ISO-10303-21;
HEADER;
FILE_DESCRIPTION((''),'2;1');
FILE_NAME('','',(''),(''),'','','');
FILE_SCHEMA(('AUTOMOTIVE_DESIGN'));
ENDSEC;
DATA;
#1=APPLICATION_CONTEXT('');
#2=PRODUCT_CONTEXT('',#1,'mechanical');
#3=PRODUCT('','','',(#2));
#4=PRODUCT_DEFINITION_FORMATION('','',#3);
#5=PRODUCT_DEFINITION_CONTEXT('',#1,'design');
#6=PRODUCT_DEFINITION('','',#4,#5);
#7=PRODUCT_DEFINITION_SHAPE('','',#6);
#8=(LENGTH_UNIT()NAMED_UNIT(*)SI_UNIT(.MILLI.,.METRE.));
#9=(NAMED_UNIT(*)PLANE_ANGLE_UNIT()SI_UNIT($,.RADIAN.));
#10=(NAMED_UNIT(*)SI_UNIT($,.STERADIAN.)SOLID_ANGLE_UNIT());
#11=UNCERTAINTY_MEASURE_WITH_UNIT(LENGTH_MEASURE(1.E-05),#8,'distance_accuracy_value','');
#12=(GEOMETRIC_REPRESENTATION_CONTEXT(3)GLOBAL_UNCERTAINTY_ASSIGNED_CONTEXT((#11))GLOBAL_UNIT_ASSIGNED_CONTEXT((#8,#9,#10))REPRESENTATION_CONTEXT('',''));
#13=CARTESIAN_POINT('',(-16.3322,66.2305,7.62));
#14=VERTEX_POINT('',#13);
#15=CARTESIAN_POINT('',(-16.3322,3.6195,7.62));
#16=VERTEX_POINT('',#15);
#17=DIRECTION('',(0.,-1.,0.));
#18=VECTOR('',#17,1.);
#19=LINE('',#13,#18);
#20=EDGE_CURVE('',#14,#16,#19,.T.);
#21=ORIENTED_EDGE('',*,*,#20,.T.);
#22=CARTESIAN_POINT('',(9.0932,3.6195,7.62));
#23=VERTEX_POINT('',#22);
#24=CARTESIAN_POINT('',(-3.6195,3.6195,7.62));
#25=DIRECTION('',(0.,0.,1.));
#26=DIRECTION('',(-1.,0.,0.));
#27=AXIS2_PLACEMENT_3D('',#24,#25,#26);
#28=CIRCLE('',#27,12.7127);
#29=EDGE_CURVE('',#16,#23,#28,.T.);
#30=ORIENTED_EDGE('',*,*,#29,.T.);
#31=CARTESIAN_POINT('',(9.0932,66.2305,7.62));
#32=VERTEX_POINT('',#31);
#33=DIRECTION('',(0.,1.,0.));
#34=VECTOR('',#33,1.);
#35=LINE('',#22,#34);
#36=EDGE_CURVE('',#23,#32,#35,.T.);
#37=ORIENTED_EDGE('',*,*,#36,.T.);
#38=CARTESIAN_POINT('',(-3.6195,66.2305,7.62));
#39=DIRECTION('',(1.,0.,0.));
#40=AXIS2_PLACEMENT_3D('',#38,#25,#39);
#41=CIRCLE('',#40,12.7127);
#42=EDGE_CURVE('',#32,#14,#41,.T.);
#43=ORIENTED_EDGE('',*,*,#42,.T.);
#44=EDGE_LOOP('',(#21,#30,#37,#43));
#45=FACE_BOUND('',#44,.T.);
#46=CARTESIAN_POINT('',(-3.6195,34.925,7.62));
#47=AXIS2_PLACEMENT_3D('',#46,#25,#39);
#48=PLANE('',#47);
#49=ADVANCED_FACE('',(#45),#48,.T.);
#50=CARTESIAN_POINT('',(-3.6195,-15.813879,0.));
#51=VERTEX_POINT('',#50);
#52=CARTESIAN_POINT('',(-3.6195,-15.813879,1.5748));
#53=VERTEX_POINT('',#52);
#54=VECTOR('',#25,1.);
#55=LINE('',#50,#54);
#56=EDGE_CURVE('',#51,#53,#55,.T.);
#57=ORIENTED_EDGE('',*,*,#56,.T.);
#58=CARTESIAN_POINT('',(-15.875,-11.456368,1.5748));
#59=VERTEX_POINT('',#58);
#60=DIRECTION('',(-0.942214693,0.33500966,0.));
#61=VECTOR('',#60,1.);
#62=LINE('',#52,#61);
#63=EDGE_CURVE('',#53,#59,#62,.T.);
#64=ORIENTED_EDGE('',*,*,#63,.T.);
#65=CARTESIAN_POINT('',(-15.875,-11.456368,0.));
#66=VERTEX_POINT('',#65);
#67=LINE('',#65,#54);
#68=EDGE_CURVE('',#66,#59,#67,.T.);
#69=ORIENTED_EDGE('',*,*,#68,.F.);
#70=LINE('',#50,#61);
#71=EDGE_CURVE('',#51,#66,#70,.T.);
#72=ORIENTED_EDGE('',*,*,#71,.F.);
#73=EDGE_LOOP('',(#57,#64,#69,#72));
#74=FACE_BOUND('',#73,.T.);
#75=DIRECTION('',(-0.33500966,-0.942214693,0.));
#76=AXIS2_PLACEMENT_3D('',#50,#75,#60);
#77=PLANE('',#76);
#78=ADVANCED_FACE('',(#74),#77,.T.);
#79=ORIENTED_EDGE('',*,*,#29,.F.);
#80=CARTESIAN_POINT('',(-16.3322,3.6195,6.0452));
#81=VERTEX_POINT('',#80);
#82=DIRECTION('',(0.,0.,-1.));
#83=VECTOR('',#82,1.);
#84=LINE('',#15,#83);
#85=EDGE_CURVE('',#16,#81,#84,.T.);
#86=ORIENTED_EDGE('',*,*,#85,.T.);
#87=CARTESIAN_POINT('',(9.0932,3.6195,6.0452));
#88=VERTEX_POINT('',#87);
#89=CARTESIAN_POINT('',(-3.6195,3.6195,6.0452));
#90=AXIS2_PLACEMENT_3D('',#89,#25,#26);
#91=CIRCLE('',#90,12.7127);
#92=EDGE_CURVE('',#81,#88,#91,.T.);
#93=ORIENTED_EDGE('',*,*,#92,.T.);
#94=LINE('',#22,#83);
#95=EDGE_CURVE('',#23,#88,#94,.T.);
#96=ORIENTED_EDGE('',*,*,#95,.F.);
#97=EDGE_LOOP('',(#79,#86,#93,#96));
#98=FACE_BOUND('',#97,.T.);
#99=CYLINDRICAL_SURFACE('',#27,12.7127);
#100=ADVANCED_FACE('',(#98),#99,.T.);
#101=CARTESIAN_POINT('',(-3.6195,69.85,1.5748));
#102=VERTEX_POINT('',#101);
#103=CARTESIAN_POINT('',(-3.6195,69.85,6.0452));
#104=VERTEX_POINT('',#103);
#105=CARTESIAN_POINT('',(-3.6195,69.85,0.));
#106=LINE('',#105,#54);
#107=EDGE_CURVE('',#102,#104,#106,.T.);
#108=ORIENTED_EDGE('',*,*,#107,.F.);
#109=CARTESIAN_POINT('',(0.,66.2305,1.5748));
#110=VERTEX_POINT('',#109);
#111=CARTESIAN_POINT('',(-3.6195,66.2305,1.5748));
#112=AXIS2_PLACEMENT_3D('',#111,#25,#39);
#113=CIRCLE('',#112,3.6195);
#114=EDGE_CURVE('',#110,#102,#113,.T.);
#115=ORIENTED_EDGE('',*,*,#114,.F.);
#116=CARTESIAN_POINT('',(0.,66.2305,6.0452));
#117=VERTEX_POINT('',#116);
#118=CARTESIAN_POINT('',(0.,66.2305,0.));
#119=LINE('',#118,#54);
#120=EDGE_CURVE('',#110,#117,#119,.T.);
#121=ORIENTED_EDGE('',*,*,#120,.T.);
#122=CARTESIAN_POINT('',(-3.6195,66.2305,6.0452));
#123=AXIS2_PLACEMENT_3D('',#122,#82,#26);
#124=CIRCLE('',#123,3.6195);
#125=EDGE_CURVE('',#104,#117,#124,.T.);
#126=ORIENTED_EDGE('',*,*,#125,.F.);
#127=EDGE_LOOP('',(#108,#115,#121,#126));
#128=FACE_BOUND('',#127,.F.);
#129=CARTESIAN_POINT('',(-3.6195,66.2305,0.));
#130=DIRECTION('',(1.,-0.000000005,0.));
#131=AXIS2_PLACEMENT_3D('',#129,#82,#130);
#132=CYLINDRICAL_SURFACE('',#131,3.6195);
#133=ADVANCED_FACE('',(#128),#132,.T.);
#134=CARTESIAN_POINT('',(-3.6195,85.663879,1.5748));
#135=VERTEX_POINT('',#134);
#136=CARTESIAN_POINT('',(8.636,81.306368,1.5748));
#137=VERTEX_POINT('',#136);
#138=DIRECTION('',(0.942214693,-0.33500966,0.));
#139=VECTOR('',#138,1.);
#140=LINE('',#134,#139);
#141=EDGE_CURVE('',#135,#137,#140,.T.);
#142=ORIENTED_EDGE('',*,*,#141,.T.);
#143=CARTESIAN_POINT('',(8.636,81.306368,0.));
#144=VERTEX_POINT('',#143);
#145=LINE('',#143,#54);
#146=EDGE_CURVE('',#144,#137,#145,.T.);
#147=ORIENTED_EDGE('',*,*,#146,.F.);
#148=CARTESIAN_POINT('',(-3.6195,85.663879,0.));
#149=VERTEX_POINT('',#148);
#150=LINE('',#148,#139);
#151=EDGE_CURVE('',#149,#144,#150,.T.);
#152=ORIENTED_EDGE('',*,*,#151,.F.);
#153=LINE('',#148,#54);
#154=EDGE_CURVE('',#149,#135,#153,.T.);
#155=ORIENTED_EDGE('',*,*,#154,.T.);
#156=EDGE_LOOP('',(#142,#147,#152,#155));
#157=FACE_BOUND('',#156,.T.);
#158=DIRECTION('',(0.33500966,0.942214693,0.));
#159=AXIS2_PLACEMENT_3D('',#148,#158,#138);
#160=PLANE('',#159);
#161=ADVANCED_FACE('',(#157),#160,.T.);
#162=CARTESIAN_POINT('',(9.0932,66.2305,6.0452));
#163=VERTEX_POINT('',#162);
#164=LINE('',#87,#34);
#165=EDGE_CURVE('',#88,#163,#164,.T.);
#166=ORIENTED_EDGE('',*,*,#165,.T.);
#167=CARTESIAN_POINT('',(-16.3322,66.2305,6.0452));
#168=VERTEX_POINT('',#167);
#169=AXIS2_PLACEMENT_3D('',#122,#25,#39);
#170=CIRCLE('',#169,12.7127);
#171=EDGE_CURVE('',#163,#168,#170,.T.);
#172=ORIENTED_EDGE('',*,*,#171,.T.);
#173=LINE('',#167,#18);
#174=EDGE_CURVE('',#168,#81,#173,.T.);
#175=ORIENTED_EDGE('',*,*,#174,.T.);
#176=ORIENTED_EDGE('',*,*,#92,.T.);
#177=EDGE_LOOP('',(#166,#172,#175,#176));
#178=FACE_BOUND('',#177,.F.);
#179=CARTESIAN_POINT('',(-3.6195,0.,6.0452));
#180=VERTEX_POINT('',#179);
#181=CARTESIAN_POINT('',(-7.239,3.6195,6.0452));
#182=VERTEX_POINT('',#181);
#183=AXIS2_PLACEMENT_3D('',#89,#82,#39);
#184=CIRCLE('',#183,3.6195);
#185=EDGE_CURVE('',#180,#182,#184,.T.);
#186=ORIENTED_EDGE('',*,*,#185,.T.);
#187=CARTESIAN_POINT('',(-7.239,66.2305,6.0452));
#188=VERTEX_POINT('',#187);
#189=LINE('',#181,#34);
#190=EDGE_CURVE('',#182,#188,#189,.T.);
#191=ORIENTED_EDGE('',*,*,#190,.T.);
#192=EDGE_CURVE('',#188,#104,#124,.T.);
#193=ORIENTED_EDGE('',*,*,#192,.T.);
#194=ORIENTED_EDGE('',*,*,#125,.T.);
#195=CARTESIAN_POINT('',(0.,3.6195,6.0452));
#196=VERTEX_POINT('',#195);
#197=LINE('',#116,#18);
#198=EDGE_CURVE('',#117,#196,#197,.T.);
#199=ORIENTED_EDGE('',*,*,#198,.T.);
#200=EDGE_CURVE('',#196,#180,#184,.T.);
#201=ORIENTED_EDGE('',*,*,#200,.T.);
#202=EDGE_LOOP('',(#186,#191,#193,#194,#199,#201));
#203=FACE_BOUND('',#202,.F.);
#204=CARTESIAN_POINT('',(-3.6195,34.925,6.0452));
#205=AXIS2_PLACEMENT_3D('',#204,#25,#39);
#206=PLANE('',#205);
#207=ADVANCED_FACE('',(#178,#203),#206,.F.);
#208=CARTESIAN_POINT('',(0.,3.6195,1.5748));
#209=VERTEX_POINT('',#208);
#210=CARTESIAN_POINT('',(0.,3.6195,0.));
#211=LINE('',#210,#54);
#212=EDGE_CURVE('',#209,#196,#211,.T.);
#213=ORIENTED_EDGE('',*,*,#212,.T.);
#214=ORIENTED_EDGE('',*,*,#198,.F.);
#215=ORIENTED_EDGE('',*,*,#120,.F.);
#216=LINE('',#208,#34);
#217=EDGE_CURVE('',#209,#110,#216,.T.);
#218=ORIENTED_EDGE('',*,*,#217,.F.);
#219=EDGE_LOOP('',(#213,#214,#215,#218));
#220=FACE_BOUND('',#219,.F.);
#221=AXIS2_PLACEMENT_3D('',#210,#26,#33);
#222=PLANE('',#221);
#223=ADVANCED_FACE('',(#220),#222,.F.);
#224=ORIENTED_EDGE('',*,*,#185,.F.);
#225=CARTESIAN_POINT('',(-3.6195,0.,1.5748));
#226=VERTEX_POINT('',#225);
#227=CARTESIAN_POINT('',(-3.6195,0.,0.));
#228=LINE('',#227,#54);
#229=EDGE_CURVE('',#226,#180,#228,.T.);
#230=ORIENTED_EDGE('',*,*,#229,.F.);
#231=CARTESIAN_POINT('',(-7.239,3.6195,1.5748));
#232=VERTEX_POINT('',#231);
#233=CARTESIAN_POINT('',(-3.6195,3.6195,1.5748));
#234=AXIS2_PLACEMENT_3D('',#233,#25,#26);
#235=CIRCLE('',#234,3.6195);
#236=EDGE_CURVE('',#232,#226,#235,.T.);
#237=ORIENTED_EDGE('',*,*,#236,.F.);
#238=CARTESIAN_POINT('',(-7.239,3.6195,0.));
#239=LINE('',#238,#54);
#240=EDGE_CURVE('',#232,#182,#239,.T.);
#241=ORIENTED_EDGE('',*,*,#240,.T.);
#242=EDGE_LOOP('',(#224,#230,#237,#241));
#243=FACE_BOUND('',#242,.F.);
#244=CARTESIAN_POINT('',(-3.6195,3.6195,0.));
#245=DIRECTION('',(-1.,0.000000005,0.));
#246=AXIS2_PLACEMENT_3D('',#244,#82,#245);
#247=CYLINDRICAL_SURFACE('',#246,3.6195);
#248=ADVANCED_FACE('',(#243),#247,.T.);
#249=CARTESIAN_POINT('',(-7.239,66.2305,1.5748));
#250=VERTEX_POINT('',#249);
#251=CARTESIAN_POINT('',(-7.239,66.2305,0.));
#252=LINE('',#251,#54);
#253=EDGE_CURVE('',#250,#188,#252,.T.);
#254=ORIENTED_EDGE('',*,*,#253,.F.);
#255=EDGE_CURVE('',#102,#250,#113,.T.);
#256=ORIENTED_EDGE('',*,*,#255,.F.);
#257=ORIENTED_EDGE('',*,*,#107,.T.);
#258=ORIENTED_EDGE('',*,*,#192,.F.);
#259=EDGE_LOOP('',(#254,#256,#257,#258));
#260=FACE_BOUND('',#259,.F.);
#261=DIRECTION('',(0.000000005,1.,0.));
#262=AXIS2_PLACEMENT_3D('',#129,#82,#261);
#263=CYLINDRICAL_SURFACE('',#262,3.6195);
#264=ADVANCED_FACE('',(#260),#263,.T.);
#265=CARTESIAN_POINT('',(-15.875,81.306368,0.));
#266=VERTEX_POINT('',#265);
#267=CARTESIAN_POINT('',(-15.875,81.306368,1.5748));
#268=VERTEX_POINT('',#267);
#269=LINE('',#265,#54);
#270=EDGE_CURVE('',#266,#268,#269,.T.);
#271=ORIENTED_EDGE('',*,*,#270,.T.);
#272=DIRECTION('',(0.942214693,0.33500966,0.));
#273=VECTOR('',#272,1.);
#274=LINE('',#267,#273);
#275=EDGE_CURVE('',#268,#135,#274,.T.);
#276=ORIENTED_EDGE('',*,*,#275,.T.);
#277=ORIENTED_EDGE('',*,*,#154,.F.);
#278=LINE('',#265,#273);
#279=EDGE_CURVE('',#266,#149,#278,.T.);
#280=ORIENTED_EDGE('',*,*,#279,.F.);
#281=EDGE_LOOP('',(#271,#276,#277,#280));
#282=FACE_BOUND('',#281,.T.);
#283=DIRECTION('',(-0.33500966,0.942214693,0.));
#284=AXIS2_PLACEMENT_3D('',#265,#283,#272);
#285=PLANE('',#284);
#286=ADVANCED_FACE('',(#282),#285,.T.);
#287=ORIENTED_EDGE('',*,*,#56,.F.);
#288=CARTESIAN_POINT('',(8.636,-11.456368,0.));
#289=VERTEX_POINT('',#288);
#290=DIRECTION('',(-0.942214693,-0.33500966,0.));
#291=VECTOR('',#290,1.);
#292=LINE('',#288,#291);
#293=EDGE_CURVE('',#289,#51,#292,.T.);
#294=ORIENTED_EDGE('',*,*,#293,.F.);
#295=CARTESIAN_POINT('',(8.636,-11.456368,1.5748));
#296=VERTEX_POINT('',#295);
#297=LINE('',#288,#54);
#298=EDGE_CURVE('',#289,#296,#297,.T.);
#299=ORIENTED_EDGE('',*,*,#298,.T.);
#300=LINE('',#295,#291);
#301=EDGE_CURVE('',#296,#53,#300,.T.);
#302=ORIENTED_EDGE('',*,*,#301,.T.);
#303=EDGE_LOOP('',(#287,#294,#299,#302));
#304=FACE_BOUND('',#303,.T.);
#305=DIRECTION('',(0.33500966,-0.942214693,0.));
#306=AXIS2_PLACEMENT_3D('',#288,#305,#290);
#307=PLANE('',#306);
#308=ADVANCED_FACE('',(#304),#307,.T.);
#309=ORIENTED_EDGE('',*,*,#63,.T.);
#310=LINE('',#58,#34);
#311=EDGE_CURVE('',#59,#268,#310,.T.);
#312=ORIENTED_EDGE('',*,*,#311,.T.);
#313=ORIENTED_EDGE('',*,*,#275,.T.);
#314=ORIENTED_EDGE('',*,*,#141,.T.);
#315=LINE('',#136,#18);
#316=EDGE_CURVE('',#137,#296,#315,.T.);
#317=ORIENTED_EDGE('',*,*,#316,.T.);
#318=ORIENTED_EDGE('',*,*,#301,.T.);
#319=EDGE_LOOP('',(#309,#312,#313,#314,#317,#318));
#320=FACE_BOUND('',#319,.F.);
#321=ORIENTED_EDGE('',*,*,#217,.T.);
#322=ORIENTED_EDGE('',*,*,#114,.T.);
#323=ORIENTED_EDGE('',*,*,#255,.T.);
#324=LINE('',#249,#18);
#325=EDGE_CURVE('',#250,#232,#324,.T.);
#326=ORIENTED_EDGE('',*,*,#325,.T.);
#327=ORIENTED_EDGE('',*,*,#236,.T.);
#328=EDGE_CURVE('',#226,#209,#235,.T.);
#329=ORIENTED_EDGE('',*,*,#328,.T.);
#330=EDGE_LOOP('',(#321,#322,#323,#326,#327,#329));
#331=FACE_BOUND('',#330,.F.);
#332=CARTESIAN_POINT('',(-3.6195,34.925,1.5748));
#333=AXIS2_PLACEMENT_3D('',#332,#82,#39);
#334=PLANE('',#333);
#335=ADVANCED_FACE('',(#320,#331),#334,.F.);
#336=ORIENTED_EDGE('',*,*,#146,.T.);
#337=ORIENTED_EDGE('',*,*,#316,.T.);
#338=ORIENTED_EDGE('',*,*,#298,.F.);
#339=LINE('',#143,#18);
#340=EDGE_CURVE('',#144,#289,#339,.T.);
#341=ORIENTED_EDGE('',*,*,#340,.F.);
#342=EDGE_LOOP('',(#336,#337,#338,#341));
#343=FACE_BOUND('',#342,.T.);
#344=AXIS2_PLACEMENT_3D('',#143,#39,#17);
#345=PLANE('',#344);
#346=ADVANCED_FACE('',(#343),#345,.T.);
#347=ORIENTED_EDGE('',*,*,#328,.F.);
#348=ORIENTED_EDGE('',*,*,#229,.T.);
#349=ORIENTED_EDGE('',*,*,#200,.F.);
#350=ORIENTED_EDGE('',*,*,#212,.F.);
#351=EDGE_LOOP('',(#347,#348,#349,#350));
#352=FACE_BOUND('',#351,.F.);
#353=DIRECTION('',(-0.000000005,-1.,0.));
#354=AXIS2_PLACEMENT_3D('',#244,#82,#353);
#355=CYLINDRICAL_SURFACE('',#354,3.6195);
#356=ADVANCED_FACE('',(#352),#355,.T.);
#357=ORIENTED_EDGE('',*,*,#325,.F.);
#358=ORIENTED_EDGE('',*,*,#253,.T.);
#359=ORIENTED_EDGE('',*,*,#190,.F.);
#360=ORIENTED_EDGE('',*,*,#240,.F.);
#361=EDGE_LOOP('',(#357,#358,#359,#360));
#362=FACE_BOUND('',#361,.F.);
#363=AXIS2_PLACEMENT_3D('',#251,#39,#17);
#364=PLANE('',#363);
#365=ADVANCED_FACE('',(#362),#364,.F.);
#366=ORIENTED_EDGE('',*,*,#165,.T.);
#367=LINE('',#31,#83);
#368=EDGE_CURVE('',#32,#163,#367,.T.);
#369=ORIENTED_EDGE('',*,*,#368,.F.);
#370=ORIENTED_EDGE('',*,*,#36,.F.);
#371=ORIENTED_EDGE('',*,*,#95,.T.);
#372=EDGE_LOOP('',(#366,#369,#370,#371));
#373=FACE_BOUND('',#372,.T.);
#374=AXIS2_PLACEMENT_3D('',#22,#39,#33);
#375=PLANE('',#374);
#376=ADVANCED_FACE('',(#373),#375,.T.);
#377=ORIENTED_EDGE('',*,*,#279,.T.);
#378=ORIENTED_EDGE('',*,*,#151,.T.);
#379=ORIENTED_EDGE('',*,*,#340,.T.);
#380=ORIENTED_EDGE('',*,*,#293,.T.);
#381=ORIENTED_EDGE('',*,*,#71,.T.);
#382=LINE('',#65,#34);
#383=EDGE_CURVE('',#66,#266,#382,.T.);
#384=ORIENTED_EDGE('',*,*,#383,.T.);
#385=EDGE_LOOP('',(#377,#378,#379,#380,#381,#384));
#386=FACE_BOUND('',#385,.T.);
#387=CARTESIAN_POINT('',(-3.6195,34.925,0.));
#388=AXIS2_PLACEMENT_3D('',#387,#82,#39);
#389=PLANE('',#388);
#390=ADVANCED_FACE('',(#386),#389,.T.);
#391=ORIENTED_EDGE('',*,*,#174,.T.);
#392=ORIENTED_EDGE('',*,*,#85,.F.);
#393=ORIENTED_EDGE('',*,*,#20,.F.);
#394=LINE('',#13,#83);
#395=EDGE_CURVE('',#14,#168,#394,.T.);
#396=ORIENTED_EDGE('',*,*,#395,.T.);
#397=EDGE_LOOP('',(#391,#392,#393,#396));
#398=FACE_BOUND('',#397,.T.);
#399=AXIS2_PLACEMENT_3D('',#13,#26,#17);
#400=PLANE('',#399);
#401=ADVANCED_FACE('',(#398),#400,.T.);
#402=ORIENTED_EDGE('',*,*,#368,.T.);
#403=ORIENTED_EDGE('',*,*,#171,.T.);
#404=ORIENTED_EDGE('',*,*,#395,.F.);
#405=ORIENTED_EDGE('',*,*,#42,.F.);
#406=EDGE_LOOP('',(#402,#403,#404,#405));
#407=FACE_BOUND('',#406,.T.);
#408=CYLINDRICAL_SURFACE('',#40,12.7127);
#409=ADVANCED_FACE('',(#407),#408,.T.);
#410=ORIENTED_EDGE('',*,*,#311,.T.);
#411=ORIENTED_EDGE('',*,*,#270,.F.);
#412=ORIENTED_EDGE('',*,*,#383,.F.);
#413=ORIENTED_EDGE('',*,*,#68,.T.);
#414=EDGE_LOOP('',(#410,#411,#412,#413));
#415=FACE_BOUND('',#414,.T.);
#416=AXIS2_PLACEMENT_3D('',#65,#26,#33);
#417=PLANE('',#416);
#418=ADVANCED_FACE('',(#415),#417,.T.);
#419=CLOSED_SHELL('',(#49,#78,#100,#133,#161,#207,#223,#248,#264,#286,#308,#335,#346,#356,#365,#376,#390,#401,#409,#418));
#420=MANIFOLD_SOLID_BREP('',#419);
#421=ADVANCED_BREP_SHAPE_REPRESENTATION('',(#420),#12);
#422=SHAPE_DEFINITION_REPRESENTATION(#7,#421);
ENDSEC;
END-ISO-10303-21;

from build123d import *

# Parameters (mm, degrees)
F1_DEPTH = 7.62
F3_DEPTH = 1.5748
F5_DEPTH = 1.5748


with BuildPart() as f1:
    # F0 (on Top) → F1 (new body)
    with BuildSketch(Plane.XY):
        with BuildLine():
            ThreePointArc((-3.6195, 0), (-1.060127, 1.060127), (0, 3.6195))
            Line((0, 3.6195), (0, 66.2305))
            ThreePointArc((0, 66.2305), (-1.060127, 68.789873), (-3.6195, 69.85))
            ThreePointArc((-3.6195, 69.85), (-6.178873, 68.789873), (-7.239, 66.2305))
            Line((-7.239, 66.2305), (-7.239, 3.6195))
            ThreePointArc((-7.239, 3.6195), (-6.178873, 1.060127), (-3.6195, 0))
        make_face()
    extrude(amount=F1_DEPTH)

    # F2 (on face) → F3 (join)
    with BuildSketch(Plane(origin=(0, 0, 0), x_dir=(1, 0, 0), z_dir=(0, 0, -1))):
        Polygon((8.636, 11.456368), (-3.6195, 15.813879), (-15.875, 11.456368), (-15.875, -3.6195), (-15.875, -66.2305), (-15.875, -81.306368), (-3.6195, -85.663879), (8.636, -81.306368), (8.636, -66.2305), (8.636, -3.6195), align=None)
        with BuildLine():
            ThreePointArc((-7.239, -3.6195), (-3.6195, 0), (0, -3.6195))
            Line((0, -3.6195), (0, -66.2305))
            ThreePointArc((0, -66.2305), (-3.6195, -69.85), (-7.239, -66.2305))
            Line((-7.239, -66.2305), (-7.239, -3.6195))
        make_face(mode=Mode.SUBTRACT)
    extrude(amount=-F3_DEPTH)

    # F4 (on face) → F5 (join)
    with BuildSketch(Plane.XY.offset(7.62)):
        with BuildLine():
            ThreePointArc((9.0932, 66.2305), (-3.6195, 78.9432), (-16.3322, 66.2305))
            Line((-16.3322, 66.2305), (-16.3322, 3.6195))
            ThreePointArc((-16.3322, 3.6195), (-3.6195, -9.0932), (9.0932, 3.6195))
            Line((9.0932, 3.6195), (9.0932, 66.2305))
        make_face()
        with BuildLine():
            ThreePointArc((0, 3.6195), (-3.6195, 0), (-7.239, 3.6195))
            Line((-7.239, 3.6195), (-7.239, 66.2305))
            ThreePointArc((-7.239, 66.2305), (-3.6195, 69.85), (0, 66.2305))
            Line((0, 66.2305), (0, 3.6195))
        make_face(mode=Mode.SUBTRACT)
    extrude(amount=-F5_DEPTH)


solid = f1.part
